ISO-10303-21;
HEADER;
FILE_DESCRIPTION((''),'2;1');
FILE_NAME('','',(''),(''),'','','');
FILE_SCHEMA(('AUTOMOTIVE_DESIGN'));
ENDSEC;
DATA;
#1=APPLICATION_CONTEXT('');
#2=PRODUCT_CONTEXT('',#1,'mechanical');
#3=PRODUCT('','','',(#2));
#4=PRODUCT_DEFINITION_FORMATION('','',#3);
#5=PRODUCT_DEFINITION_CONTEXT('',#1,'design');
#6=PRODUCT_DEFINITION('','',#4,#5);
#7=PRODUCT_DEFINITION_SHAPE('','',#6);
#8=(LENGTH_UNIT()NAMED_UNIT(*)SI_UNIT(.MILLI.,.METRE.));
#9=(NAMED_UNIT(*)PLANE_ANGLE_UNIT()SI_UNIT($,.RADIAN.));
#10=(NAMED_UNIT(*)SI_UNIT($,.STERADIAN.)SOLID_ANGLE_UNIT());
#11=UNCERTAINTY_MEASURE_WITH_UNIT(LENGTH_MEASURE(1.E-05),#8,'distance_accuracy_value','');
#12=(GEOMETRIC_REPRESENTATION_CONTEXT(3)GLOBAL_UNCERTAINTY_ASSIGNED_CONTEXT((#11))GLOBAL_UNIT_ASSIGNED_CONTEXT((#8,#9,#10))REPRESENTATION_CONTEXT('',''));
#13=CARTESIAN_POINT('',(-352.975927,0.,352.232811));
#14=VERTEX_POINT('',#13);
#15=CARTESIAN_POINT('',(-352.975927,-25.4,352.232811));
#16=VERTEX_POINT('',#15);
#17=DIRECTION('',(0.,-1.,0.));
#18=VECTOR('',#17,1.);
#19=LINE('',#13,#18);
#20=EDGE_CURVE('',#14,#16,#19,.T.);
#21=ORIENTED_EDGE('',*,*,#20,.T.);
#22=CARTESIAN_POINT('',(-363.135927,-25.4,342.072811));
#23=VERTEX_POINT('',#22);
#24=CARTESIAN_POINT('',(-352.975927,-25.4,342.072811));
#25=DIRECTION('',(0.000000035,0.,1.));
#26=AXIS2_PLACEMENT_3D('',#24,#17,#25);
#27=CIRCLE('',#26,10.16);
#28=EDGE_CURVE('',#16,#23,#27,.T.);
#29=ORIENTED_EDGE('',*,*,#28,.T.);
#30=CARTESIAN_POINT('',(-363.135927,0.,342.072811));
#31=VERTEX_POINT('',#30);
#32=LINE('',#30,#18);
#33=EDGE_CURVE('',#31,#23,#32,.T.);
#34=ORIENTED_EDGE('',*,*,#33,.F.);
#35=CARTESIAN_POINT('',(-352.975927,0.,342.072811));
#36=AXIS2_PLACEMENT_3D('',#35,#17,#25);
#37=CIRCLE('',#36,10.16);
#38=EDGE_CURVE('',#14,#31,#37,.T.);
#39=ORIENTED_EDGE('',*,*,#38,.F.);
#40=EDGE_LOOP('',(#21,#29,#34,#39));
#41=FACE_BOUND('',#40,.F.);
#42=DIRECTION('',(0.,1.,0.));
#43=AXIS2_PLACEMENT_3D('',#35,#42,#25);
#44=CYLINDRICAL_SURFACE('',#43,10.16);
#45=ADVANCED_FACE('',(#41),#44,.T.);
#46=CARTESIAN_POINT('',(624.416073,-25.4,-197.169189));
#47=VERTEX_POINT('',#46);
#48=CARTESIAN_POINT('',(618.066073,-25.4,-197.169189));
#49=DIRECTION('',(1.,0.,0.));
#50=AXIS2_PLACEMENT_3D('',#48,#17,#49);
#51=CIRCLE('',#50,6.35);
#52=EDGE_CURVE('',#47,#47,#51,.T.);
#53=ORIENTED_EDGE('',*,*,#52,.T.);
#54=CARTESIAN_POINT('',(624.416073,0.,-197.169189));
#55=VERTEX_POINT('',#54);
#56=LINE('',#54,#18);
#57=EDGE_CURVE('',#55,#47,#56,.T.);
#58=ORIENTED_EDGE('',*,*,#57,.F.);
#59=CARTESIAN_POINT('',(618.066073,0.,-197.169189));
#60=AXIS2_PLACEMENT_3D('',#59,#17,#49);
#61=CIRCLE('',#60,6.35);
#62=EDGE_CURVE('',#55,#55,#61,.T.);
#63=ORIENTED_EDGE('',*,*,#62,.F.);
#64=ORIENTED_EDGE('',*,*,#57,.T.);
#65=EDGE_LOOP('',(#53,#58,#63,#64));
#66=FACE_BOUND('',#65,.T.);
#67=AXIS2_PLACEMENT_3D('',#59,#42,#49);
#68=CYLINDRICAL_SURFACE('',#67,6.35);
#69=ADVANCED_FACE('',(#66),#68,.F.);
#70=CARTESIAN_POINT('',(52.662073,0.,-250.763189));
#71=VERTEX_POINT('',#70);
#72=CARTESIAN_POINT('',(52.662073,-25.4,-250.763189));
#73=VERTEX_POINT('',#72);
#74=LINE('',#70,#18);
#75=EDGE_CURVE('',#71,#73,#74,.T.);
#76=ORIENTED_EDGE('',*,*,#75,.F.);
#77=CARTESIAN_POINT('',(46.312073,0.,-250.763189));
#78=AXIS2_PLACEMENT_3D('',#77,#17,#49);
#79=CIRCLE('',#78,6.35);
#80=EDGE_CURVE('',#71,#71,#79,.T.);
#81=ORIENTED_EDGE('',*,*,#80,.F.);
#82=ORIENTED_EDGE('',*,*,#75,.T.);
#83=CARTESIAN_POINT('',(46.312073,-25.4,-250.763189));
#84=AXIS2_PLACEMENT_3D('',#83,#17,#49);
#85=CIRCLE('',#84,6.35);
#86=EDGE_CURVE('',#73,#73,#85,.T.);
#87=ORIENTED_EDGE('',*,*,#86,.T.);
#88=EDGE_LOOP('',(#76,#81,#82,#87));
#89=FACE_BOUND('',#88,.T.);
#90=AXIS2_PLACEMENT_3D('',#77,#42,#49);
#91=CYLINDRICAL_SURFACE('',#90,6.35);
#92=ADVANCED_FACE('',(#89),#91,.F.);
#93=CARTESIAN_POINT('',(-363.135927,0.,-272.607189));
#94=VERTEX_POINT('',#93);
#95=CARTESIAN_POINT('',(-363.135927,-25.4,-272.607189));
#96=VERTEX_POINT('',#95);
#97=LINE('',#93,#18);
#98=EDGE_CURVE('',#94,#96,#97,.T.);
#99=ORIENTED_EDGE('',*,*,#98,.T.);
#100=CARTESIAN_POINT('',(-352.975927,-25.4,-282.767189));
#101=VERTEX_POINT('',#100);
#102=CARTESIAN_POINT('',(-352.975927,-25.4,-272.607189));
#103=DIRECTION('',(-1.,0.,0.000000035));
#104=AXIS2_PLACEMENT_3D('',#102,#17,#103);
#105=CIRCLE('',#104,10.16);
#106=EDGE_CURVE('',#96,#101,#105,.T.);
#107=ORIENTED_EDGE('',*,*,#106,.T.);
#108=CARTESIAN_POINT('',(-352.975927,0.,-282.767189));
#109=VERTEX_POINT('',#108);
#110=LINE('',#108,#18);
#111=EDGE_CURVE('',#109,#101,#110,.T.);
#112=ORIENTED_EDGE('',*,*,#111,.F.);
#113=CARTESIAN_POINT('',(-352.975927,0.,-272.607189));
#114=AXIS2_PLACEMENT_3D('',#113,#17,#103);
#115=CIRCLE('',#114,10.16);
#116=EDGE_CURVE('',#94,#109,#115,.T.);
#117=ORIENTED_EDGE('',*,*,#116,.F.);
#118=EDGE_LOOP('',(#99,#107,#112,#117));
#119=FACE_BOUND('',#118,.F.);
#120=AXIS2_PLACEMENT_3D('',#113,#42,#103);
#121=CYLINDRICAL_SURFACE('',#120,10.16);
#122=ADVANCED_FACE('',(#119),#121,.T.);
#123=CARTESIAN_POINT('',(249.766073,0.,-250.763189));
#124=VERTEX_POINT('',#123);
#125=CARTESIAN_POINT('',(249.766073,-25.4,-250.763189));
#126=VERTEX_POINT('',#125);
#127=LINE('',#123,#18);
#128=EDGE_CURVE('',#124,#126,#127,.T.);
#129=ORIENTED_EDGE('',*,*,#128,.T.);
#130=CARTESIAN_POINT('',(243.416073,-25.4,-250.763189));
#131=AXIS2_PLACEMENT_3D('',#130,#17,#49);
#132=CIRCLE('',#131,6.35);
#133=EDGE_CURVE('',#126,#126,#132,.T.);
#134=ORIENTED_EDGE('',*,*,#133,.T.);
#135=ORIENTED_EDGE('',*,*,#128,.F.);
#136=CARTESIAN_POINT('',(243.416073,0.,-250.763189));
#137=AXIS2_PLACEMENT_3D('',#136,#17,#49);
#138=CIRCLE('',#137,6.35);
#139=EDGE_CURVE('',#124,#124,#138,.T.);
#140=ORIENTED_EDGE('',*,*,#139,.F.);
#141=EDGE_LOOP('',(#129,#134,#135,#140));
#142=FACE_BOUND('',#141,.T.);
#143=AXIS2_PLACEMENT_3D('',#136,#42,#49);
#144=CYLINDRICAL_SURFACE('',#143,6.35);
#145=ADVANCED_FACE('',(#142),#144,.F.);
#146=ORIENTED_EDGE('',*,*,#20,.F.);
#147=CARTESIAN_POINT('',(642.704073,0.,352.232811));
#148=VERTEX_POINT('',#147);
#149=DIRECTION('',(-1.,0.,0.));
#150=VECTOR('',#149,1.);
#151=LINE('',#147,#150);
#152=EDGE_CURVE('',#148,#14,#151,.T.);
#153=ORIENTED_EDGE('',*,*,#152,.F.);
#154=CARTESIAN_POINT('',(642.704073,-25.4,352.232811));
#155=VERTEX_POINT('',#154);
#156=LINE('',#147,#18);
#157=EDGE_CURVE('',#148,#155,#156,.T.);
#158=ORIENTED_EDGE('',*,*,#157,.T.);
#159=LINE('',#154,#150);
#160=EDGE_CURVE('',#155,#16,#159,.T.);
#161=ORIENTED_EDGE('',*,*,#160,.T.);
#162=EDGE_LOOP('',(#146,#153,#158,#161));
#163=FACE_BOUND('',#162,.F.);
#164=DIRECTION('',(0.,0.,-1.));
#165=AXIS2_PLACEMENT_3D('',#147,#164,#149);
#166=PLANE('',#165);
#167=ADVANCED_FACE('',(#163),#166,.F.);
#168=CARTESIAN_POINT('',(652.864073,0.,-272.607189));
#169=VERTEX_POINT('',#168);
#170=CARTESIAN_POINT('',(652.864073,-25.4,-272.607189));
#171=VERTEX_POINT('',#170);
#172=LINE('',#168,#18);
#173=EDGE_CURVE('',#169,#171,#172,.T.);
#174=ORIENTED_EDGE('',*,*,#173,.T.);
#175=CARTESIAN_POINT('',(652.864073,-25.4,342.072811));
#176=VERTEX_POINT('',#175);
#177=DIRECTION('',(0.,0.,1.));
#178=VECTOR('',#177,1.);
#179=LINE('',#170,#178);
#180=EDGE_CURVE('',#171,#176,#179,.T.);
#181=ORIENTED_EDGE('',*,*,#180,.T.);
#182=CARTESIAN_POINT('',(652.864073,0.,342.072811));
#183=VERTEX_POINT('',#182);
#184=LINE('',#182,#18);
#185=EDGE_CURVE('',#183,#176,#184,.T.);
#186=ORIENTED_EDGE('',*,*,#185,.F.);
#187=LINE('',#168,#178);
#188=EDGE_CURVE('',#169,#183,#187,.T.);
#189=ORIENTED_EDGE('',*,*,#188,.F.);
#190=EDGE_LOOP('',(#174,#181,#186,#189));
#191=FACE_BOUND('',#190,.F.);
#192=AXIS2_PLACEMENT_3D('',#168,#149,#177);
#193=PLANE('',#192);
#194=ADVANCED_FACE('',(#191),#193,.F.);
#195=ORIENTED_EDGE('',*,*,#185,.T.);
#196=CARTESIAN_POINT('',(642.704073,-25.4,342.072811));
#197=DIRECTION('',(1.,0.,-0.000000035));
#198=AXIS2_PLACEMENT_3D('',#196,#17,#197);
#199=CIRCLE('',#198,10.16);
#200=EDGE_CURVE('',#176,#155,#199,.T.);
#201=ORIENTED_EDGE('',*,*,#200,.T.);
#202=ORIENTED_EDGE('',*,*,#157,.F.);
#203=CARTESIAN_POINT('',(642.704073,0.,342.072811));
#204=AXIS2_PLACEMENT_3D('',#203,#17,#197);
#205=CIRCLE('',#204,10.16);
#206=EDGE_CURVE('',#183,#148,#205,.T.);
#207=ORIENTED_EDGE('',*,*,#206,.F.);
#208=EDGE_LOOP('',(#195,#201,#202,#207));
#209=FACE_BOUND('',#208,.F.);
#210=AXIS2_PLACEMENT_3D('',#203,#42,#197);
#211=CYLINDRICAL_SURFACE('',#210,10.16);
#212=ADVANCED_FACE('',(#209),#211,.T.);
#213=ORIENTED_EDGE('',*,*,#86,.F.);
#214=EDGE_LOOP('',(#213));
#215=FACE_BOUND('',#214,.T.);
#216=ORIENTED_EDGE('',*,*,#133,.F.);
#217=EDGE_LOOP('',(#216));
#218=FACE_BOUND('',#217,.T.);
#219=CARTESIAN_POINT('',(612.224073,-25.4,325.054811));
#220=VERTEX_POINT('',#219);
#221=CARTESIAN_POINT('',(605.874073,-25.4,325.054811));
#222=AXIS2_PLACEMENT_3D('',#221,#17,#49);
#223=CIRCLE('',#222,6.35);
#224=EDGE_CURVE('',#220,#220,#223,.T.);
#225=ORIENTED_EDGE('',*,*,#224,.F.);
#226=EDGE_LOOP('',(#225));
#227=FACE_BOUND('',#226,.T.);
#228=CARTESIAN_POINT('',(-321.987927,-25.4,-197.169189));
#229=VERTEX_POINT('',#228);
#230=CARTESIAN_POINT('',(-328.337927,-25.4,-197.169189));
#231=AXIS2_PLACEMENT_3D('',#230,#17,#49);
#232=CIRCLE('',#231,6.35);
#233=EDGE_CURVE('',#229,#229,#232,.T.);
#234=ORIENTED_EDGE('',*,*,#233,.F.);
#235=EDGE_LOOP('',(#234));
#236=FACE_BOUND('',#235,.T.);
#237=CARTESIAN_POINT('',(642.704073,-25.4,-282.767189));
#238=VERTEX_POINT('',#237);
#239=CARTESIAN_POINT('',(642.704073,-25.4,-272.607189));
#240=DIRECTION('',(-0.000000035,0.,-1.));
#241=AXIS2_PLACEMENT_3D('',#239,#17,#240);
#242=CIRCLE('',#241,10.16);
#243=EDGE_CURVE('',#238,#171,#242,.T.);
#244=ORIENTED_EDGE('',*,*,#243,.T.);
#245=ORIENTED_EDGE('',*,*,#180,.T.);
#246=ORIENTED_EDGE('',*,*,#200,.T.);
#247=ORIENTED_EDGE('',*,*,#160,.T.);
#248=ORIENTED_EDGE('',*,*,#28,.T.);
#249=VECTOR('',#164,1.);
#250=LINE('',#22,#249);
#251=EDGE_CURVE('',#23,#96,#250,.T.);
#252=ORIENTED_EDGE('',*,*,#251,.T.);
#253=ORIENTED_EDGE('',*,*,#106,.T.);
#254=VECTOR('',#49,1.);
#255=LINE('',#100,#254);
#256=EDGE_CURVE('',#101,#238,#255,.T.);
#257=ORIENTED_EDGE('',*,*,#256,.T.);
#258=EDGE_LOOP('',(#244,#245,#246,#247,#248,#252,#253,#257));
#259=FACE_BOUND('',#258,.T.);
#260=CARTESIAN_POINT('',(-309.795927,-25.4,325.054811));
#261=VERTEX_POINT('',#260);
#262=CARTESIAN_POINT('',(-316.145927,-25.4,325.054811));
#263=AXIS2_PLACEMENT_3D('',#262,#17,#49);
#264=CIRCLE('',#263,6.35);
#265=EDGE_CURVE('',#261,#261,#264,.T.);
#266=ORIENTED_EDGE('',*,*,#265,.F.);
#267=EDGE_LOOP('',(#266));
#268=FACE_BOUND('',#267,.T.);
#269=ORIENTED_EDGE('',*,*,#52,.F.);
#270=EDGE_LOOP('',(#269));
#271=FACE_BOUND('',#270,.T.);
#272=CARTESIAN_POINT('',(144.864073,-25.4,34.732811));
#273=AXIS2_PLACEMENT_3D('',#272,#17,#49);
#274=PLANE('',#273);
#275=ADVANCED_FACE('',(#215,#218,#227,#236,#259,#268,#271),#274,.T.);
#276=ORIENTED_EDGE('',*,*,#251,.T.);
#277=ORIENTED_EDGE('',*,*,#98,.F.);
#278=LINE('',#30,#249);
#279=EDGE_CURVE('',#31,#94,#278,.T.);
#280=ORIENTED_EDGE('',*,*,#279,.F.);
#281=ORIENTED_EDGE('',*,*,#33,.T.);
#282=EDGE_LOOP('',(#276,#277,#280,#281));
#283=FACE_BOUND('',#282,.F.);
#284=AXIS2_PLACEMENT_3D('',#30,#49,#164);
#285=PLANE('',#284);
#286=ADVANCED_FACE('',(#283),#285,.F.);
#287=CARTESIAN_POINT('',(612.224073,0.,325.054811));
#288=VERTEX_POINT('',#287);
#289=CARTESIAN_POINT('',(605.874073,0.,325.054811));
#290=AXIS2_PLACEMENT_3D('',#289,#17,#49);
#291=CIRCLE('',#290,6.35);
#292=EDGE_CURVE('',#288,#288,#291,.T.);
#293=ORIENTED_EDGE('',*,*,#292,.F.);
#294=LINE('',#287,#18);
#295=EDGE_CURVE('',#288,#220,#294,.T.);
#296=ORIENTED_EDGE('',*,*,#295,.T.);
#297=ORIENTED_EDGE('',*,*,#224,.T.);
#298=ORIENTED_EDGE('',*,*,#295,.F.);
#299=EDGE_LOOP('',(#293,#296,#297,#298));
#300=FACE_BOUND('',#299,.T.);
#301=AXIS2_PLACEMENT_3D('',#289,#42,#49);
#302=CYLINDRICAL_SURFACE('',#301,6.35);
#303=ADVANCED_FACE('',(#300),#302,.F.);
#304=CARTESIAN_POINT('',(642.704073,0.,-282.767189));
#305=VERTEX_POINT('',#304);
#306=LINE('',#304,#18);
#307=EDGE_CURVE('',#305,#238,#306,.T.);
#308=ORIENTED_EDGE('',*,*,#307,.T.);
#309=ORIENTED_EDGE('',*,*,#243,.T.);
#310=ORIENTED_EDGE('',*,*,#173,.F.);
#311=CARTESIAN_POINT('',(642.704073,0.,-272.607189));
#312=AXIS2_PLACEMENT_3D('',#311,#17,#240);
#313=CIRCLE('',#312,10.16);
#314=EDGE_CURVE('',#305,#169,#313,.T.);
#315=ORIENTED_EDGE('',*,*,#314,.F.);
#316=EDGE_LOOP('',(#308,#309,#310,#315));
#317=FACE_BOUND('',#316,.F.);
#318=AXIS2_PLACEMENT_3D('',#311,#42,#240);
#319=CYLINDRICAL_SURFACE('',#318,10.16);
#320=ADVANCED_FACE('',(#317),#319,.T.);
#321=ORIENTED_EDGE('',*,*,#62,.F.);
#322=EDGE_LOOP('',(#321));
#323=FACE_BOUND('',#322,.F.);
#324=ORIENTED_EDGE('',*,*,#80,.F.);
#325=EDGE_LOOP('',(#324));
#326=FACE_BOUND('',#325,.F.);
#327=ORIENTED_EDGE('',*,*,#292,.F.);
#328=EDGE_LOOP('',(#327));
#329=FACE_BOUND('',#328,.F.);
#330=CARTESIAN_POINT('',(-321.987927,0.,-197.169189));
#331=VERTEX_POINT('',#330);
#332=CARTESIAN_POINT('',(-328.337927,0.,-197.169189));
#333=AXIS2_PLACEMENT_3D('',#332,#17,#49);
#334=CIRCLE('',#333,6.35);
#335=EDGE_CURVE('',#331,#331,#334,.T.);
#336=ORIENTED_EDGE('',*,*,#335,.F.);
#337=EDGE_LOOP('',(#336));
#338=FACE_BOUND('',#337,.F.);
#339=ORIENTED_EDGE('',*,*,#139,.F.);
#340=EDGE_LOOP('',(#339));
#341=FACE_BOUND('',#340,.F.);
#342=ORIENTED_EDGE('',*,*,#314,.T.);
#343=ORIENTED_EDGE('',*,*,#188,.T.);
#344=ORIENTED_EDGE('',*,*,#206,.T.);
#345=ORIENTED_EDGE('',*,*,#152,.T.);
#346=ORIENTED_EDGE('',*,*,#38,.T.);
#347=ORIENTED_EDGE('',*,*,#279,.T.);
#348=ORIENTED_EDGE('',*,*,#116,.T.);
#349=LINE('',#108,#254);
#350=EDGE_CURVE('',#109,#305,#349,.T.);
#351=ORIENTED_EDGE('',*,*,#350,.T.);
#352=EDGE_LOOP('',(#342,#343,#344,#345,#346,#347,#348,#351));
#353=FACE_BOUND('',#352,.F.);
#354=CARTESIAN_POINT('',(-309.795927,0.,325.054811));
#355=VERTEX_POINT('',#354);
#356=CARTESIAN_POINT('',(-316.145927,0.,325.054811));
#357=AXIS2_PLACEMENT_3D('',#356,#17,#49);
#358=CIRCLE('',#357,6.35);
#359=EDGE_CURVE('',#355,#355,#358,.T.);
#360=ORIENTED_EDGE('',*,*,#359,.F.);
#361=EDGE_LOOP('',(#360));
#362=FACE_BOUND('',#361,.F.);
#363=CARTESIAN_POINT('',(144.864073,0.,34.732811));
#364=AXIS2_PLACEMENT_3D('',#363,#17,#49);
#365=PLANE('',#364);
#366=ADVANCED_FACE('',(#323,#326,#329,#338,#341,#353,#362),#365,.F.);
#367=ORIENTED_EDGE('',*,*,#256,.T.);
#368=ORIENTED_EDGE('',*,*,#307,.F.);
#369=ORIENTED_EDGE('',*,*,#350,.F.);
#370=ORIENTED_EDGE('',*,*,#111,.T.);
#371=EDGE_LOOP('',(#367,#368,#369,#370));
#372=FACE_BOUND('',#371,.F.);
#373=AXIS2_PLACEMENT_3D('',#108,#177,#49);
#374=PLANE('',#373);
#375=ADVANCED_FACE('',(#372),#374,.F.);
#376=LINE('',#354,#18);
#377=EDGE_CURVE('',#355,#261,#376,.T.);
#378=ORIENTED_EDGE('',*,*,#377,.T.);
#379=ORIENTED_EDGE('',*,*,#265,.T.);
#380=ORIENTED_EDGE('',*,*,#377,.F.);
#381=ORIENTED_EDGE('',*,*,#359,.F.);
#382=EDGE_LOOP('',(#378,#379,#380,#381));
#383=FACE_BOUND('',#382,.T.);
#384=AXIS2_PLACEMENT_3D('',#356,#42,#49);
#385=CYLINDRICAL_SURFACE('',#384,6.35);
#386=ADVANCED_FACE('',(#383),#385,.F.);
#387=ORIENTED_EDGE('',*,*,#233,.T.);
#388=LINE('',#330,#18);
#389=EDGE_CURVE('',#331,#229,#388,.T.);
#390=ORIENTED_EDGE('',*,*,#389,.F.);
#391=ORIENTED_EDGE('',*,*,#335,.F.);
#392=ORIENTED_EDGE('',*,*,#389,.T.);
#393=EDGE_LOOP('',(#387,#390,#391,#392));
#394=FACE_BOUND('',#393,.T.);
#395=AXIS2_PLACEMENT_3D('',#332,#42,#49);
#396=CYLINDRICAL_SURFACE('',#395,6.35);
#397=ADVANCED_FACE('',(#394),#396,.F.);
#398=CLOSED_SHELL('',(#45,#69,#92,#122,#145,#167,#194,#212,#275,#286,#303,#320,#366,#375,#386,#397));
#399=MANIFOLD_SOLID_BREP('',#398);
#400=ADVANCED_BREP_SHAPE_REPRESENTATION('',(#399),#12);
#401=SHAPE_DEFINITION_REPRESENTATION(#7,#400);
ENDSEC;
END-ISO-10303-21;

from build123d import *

# Parameters (mm, degrees)
F0_R     = 6.35
F1_DEPTH = 25.4


with BuildPart() as f1:
    # F0 (on Front) → F1 (new body)
    with BuildSketch(Plane.XZ):
        with BuildLine():
            Line((642.704073, 352.232811), (-352.975927, 352.232811))
            ThreePointArc((-352.975927, 352.232811), (-360.160132, 349.257016), (-363.135927, 342.072811))
            Line((-363.135927, 342.072811), (-363.135927, -272.607189))
            ThreePointArc((-363.135927, -272.607189), (-360.160132, -279.791394), (-352.975927, -282.767189))
            Line((-352.975927, -282.767189), (642.704073, -282.767189))
            ThreePointArc((642.704073, -282.767189), (649.888278, -279.791394), (652.864073, -272.607189))
            Line((652.864073, -272.607189), (652.864073, 342.072811))
            ThreePointArc((652.864073, 342.072811), (649.888278, 349.257016), (642.704073, 352.232811))
        make_face()
        with Locations((-328.337927, -197.169189)):
            Circle(F0_R, mode=Mode.SUBTRACT)
        with Locations((46.312073, -250.763189)):
            Circle(F0_R, mode=Mode.SUBTRACT)
        with Locations((243.416073, -250.763189)):
            Circle(F0_R, mode=Mode.SUBTRACT)
        with Locations((618.066073, -197.169189)):
            Circle(F0_R, mode=Mode.SUBTRACT)
        with Locations((-316.145927, 325.054811)):
            Circle(F0_R, mode=Mode.SUBTRACT)
        with Locations((605.874073, 325.054811)):
            Circle(F0_R, mode=Mode.SUBTRACT)
    extrude(amount=F1_DEPTH)


solid = f1.part
